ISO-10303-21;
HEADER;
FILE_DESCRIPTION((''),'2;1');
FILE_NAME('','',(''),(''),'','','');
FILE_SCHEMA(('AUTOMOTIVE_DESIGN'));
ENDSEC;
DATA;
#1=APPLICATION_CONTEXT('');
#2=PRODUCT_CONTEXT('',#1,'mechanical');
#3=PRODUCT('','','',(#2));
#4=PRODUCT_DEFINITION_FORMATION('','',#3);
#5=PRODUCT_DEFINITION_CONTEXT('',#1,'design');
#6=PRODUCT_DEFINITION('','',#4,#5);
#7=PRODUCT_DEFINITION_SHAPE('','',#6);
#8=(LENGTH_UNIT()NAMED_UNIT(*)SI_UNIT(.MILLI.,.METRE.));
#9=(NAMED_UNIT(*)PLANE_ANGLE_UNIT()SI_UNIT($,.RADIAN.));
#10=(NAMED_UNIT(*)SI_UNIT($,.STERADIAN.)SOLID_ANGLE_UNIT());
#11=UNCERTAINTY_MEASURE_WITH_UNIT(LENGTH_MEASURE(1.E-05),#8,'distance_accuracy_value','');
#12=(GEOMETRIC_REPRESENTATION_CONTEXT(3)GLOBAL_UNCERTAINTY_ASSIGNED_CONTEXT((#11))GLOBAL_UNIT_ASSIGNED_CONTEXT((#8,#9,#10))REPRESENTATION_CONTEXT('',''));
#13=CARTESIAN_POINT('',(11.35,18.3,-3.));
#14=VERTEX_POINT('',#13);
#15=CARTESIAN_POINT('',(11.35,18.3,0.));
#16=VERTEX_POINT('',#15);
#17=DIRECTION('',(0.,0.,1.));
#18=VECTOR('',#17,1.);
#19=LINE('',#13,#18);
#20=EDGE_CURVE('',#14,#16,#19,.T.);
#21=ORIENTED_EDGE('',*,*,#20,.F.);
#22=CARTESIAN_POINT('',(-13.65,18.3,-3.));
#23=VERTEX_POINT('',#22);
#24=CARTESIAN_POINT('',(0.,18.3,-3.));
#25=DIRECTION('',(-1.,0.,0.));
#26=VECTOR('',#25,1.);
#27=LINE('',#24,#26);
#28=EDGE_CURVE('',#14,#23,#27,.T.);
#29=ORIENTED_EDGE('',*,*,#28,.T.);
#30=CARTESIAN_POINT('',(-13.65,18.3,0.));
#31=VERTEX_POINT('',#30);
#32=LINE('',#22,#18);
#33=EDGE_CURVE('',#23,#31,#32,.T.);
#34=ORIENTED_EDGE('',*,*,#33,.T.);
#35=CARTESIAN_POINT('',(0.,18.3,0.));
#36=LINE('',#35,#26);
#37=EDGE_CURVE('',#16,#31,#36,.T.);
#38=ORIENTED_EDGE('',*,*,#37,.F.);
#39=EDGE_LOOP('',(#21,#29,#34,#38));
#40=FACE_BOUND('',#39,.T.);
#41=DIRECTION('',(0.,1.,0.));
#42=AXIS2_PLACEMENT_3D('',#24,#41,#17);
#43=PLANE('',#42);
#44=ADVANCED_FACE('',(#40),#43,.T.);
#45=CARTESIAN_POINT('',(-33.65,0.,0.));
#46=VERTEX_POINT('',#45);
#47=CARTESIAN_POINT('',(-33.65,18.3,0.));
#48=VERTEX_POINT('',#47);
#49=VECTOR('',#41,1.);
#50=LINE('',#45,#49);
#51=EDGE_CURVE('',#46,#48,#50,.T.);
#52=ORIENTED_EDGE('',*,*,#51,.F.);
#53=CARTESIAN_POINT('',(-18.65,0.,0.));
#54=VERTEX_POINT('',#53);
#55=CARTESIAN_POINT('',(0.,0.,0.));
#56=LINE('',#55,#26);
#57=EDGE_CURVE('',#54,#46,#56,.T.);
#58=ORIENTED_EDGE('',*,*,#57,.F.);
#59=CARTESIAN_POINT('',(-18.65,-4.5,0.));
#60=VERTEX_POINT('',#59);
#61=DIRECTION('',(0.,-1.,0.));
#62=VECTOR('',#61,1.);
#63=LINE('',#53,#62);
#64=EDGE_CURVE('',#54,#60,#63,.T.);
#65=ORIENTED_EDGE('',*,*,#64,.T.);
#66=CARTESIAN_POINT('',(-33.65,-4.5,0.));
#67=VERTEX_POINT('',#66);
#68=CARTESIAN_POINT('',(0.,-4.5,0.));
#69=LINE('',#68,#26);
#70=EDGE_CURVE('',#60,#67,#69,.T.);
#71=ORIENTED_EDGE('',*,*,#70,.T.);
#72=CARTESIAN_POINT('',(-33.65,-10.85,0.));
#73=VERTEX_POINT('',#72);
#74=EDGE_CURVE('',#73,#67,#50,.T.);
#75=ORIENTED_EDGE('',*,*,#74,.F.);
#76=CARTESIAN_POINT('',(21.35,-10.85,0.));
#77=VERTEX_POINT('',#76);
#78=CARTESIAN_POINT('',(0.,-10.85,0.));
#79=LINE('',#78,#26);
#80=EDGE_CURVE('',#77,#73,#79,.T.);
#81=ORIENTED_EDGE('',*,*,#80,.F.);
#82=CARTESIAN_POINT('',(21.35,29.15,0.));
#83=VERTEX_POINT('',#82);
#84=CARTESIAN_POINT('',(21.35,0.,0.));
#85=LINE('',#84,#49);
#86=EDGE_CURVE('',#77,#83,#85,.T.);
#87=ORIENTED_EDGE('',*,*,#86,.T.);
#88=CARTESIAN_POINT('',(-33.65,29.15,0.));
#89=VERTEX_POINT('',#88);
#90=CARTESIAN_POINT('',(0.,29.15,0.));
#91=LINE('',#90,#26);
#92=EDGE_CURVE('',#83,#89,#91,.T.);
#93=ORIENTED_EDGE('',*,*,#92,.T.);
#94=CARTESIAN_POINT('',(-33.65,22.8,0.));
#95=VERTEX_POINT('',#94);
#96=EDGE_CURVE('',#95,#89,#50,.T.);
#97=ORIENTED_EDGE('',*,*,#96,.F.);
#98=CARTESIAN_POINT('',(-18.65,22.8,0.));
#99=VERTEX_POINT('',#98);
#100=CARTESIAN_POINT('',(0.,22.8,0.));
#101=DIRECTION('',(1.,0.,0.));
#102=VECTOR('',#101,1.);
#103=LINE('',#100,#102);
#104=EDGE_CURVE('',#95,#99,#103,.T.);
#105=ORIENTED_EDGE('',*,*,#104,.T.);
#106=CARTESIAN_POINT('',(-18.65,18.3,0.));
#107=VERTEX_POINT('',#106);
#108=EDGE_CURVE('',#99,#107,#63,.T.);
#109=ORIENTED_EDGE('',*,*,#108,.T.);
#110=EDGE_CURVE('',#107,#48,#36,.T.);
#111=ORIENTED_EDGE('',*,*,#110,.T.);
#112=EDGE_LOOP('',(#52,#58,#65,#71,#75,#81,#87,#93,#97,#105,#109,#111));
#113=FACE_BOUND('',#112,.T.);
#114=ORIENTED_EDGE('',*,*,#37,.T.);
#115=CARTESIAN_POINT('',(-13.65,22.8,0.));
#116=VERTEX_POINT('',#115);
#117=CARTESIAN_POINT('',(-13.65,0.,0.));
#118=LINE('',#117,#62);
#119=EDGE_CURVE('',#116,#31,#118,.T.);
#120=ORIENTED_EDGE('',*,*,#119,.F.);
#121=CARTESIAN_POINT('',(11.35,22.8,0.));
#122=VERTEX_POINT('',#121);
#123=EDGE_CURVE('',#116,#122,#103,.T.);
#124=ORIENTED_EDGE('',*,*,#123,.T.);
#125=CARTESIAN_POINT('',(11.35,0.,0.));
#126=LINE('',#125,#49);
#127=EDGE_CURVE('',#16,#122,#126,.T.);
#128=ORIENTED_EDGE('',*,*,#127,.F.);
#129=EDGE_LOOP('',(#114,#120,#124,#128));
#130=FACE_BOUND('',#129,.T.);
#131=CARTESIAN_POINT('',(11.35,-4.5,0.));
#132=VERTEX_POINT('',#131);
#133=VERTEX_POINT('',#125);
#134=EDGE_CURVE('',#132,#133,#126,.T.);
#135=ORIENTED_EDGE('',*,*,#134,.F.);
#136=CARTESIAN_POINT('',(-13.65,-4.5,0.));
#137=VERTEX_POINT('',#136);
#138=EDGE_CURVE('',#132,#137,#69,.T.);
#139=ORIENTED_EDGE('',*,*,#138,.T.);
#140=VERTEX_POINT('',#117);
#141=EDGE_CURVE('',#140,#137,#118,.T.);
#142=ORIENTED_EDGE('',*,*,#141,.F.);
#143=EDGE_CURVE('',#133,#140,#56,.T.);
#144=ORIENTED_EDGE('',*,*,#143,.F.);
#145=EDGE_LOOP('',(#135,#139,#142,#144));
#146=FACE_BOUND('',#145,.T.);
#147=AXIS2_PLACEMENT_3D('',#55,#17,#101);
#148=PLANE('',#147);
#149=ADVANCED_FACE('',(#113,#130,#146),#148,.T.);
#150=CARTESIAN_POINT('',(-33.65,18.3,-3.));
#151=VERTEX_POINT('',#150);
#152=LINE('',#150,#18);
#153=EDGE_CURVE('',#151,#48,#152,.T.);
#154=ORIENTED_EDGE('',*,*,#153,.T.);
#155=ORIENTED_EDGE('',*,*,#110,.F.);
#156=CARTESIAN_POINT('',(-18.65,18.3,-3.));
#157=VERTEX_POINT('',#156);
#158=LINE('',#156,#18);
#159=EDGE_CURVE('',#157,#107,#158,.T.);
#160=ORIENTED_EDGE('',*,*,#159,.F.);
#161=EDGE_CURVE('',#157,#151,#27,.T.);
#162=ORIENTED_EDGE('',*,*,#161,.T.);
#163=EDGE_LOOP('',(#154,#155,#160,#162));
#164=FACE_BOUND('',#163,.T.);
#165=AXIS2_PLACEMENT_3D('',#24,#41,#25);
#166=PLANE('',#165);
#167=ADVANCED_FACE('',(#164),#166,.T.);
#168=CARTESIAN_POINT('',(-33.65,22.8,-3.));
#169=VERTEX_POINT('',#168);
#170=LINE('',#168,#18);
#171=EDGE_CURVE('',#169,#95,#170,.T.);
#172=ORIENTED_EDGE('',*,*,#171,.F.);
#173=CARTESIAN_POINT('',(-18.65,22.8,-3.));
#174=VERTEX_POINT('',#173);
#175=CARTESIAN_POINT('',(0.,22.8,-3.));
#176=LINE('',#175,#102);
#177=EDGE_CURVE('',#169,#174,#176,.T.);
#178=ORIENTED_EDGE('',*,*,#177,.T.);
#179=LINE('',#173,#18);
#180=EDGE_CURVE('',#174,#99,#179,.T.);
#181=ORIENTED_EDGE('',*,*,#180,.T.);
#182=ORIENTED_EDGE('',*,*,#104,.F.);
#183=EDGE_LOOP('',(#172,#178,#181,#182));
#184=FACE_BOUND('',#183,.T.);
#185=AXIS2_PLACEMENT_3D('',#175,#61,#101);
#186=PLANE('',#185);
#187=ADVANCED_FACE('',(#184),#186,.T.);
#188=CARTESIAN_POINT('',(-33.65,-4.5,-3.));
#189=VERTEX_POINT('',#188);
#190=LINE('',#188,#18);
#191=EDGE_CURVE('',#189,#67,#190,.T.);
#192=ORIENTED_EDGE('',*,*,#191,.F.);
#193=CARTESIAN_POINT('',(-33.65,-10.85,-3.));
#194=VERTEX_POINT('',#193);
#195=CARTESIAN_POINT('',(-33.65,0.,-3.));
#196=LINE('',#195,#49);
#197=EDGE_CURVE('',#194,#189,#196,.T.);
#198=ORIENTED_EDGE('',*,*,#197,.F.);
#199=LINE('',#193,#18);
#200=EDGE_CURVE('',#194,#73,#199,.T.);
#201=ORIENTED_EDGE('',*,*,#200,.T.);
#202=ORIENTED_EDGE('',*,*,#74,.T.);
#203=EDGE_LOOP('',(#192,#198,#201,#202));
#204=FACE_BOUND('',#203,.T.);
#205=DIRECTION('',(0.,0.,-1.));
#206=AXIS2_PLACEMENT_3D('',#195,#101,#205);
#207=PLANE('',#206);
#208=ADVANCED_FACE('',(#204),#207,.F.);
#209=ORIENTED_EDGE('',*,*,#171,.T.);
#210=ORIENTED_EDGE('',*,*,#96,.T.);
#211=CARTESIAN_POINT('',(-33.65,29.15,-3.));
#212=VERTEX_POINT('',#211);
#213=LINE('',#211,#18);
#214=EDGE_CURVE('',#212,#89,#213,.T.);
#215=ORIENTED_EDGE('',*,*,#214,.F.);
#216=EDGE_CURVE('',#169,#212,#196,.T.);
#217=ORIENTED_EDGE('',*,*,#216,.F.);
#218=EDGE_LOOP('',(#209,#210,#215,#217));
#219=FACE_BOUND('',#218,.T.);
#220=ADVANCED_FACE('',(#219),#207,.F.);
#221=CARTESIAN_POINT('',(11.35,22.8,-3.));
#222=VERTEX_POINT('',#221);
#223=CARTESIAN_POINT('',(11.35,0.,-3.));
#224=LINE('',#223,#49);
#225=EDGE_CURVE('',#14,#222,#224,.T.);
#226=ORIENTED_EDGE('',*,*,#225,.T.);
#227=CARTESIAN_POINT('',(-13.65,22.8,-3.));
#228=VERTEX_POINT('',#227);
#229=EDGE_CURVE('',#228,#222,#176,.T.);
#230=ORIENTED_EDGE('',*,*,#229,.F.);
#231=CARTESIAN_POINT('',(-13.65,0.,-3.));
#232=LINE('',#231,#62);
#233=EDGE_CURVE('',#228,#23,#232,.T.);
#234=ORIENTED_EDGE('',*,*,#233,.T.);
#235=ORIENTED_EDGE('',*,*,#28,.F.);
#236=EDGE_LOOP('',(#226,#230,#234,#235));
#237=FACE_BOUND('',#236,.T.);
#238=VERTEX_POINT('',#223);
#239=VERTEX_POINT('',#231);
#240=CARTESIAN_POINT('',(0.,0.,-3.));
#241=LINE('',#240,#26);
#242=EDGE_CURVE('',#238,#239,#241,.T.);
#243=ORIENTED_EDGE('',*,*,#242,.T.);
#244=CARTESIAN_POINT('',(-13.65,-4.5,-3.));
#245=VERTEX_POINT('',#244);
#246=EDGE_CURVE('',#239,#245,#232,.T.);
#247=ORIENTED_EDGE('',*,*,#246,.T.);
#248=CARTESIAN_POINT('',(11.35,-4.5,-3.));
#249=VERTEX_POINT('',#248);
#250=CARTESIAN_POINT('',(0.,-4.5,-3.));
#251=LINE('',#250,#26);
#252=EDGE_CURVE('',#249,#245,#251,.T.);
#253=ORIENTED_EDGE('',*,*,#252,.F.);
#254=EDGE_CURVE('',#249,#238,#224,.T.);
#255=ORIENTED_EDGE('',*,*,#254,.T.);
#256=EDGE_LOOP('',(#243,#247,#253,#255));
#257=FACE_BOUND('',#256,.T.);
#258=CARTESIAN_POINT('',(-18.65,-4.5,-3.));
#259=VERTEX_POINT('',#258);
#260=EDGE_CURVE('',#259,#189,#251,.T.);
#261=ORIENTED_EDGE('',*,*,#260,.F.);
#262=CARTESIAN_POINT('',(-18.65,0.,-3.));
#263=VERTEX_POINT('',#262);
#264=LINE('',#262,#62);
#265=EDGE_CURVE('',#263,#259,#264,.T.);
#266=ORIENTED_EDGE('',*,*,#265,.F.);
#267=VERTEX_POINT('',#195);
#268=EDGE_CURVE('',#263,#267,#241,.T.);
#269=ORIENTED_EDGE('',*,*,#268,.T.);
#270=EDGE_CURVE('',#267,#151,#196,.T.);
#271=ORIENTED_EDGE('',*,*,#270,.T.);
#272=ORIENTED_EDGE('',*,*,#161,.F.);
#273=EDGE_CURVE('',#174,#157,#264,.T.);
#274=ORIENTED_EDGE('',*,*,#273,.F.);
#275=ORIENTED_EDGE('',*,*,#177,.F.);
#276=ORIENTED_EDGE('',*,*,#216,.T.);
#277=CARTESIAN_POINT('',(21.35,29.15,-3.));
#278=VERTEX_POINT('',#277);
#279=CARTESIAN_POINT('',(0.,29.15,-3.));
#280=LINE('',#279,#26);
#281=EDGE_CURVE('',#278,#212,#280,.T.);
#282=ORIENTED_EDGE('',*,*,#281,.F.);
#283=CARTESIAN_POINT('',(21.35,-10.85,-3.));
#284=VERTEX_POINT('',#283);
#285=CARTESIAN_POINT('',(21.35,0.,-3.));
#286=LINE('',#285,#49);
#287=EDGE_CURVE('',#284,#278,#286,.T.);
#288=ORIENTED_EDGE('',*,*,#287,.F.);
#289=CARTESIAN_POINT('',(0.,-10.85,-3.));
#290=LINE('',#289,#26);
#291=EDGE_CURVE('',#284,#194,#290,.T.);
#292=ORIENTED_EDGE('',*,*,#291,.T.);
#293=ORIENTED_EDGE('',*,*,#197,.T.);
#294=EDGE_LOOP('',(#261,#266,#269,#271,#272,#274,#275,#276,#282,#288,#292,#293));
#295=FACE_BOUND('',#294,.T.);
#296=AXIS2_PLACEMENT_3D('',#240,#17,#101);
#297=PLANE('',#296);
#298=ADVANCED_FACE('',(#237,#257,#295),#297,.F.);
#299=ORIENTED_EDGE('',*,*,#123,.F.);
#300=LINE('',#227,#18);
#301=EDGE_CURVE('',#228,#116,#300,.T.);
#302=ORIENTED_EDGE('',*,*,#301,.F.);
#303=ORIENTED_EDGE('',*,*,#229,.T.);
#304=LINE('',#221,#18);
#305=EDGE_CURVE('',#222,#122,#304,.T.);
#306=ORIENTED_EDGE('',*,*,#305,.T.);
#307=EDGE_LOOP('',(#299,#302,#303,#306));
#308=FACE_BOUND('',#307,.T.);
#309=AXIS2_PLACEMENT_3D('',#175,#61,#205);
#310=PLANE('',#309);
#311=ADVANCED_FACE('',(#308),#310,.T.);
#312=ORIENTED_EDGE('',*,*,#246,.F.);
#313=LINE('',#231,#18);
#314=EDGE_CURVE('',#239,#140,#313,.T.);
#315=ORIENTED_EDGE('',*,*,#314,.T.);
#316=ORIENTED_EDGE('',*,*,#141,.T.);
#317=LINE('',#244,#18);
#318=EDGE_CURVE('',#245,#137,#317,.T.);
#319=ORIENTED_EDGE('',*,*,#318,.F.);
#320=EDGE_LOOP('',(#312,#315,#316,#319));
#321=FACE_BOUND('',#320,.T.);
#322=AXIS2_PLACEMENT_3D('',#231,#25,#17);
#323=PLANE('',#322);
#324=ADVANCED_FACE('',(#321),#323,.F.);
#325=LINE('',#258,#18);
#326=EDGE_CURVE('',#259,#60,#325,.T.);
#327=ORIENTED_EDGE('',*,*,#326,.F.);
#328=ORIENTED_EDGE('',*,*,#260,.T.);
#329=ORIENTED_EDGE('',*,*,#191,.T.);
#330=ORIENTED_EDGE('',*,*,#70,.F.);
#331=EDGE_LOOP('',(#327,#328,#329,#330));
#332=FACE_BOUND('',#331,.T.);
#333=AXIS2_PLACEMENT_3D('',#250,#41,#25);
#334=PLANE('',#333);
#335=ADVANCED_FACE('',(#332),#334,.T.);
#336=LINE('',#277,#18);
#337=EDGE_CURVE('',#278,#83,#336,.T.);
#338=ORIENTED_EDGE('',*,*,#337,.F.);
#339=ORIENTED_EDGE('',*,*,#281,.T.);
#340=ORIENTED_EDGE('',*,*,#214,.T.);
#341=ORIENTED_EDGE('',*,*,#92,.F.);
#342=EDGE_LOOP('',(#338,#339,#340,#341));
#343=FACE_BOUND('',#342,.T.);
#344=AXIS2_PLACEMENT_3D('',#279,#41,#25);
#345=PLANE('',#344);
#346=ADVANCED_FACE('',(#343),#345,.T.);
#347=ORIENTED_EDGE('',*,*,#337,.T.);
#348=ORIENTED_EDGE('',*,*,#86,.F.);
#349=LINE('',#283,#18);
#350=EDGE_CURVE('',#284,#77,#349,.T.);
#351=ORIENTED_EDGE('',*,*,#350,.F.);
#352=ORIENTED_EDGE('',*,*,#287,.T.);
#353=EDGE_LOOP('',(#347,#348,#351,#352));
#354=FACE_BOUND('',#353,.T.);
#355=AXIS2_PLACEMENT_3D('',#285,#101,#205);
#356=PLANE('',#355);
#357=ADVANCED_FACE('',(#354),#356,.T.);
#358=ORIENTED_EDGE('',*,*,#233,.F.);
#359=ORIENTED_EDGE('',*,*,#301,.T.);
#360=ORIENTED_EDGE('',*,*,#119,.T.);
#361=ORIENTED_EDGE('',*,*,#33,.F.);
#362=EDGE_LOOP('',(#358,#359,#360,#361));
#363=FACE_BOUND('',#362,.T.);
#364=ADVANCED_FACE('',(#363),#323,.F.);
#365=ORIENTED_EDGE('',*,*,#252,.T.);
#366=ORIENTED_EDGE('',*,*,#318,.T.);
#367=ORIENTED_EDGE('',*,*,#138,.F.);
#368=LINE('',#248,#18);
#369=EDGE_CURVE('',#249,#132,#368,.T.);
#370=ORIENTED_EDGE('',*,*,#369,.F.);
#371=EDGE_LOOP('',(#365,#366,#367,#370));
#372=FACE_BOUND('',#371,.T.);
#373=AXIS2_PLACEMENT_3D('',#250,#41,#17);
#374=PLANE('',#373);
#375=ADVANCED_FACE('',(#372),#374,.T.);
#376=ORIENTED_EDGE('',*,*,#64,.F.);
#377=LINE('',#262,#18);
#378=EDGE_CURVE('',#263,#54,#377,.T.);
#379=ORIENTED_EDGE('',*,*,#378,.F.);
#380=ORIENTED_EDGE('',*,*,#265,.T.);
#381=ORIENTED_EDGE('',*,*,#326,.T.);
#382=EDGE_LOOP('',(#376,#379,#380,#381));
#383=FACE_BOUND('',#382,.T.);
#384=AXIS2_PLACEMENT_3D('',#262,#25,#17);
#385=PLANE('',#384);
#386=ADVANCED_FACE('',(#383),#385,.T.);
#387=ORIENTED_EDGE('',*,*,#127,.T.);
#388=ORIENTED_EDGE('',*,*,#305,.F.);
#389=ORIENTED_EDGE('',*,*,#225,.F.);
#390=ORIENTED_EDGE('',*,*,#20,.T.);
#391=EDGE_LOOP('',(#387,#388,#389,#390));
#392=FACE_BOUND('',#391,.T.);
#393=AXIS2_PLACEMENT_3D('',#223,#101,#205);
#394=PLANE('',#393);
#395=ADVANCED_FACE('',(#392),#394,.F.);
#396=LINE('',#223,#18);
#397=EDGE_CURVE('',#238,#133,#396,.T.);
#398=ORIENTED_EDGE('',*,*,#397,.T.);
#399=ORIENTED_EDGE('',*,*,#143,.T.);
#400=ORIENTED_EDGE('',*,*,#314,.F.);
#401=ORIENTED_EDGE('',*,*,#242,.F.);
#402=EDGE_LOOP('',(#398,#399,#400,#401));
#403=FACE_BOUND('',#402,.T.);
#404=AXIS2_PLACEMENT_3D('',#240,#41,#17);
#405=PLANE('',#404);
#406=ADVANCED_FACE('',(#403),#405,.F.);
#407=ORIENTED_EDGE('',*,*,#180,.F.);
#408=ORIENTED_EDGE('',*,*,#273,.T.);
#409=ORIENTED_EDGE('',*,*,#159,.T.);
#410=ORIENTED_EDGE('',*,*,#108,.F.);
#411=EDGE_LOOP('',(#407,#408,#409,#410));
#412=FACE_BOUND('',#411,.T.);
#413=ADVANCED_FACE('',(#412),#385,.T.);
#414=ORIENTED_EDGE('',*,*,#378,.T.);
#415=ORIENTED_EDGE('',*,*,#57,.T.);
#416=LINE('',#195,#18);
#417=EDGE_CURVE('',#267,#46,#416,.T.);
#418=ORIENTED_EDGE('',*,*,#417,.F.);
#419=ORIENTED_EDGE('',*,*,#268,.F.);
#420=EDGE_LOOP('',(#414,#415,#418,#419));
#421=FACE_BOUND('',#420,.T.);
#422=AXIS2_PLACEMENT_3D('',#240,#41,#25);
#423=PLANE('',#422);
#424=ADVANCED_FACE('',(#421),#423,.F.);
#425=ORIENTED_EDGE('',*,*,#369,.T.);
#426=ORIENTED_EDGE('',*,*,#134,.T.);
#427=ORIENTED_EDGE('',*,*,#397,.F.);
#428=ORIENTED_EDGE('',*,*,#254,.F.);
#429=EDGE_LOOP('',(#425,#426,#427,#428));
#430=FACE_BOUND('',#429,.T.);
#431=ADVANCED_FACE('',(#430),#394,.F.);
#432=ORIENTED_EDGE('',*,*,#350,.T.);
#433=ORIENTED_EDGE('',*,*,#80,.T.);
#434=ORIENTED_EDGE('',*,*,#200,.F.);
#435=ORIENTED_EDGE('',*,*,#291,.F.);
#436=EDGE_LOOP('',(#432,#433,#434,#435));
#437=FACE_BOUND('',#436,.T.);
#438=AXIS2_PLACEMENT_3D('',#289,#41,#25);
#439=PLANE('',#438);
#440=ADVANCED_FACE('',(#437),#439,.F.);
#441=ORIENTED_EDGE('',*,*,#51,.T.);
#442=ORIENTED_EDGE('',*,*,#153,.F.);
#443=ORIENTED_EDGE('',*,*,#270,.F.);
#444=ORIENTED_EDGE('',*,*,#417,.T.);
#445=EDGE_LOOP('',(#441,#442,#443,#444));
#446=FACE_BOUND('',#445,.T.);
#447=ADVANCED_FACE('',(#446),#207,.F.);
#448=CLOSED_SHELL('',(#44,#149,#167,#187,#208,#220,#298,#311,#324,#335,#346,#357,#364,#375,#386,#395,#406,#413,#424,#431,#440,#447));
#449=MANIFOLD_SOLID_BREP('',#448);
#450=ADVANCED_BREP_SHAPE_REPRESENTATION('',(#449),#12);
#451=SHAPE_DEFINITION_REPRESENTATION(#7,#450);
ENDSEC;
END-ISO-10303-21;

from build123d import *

# Parameters (mm, degrees)
SKETCH1_W           = 25
SKETCH1_H           = 4.5
BOSS_EXTRUDE1_DEPTH = 3


with BuildPart() as part:
    # Sketch1 → Boss-Extrude1 (new body)
    with BuildSketch(Plane.XY):
        Polygon((-33.65, -10.85), (21.35, -10.85), (21.35, 29.15), (-33.65, 29.15), (-33.65, 22.8), (-18.65, 22.8), (-18.65, 18.3), (-33.65, 18.3), (-33.65, 0), (-18.65, 0), (-18.65, -4.5), (-33.65, -4.5), align=None)
        with Locations((-1.15, -2.25)):
            Rectangle(SKETCH1_W, SKETCH1_H, mode=Mode.SUBTRACT)
        with Locations((-1.15, 20.55)):
            Rectangle(SKETCH1_W, SKETCH1_H, mode=Mode.SUBTRACT)
    extrude(amount=-BOSS_EXTRUDE1_DEPTH)


solid = part.part
